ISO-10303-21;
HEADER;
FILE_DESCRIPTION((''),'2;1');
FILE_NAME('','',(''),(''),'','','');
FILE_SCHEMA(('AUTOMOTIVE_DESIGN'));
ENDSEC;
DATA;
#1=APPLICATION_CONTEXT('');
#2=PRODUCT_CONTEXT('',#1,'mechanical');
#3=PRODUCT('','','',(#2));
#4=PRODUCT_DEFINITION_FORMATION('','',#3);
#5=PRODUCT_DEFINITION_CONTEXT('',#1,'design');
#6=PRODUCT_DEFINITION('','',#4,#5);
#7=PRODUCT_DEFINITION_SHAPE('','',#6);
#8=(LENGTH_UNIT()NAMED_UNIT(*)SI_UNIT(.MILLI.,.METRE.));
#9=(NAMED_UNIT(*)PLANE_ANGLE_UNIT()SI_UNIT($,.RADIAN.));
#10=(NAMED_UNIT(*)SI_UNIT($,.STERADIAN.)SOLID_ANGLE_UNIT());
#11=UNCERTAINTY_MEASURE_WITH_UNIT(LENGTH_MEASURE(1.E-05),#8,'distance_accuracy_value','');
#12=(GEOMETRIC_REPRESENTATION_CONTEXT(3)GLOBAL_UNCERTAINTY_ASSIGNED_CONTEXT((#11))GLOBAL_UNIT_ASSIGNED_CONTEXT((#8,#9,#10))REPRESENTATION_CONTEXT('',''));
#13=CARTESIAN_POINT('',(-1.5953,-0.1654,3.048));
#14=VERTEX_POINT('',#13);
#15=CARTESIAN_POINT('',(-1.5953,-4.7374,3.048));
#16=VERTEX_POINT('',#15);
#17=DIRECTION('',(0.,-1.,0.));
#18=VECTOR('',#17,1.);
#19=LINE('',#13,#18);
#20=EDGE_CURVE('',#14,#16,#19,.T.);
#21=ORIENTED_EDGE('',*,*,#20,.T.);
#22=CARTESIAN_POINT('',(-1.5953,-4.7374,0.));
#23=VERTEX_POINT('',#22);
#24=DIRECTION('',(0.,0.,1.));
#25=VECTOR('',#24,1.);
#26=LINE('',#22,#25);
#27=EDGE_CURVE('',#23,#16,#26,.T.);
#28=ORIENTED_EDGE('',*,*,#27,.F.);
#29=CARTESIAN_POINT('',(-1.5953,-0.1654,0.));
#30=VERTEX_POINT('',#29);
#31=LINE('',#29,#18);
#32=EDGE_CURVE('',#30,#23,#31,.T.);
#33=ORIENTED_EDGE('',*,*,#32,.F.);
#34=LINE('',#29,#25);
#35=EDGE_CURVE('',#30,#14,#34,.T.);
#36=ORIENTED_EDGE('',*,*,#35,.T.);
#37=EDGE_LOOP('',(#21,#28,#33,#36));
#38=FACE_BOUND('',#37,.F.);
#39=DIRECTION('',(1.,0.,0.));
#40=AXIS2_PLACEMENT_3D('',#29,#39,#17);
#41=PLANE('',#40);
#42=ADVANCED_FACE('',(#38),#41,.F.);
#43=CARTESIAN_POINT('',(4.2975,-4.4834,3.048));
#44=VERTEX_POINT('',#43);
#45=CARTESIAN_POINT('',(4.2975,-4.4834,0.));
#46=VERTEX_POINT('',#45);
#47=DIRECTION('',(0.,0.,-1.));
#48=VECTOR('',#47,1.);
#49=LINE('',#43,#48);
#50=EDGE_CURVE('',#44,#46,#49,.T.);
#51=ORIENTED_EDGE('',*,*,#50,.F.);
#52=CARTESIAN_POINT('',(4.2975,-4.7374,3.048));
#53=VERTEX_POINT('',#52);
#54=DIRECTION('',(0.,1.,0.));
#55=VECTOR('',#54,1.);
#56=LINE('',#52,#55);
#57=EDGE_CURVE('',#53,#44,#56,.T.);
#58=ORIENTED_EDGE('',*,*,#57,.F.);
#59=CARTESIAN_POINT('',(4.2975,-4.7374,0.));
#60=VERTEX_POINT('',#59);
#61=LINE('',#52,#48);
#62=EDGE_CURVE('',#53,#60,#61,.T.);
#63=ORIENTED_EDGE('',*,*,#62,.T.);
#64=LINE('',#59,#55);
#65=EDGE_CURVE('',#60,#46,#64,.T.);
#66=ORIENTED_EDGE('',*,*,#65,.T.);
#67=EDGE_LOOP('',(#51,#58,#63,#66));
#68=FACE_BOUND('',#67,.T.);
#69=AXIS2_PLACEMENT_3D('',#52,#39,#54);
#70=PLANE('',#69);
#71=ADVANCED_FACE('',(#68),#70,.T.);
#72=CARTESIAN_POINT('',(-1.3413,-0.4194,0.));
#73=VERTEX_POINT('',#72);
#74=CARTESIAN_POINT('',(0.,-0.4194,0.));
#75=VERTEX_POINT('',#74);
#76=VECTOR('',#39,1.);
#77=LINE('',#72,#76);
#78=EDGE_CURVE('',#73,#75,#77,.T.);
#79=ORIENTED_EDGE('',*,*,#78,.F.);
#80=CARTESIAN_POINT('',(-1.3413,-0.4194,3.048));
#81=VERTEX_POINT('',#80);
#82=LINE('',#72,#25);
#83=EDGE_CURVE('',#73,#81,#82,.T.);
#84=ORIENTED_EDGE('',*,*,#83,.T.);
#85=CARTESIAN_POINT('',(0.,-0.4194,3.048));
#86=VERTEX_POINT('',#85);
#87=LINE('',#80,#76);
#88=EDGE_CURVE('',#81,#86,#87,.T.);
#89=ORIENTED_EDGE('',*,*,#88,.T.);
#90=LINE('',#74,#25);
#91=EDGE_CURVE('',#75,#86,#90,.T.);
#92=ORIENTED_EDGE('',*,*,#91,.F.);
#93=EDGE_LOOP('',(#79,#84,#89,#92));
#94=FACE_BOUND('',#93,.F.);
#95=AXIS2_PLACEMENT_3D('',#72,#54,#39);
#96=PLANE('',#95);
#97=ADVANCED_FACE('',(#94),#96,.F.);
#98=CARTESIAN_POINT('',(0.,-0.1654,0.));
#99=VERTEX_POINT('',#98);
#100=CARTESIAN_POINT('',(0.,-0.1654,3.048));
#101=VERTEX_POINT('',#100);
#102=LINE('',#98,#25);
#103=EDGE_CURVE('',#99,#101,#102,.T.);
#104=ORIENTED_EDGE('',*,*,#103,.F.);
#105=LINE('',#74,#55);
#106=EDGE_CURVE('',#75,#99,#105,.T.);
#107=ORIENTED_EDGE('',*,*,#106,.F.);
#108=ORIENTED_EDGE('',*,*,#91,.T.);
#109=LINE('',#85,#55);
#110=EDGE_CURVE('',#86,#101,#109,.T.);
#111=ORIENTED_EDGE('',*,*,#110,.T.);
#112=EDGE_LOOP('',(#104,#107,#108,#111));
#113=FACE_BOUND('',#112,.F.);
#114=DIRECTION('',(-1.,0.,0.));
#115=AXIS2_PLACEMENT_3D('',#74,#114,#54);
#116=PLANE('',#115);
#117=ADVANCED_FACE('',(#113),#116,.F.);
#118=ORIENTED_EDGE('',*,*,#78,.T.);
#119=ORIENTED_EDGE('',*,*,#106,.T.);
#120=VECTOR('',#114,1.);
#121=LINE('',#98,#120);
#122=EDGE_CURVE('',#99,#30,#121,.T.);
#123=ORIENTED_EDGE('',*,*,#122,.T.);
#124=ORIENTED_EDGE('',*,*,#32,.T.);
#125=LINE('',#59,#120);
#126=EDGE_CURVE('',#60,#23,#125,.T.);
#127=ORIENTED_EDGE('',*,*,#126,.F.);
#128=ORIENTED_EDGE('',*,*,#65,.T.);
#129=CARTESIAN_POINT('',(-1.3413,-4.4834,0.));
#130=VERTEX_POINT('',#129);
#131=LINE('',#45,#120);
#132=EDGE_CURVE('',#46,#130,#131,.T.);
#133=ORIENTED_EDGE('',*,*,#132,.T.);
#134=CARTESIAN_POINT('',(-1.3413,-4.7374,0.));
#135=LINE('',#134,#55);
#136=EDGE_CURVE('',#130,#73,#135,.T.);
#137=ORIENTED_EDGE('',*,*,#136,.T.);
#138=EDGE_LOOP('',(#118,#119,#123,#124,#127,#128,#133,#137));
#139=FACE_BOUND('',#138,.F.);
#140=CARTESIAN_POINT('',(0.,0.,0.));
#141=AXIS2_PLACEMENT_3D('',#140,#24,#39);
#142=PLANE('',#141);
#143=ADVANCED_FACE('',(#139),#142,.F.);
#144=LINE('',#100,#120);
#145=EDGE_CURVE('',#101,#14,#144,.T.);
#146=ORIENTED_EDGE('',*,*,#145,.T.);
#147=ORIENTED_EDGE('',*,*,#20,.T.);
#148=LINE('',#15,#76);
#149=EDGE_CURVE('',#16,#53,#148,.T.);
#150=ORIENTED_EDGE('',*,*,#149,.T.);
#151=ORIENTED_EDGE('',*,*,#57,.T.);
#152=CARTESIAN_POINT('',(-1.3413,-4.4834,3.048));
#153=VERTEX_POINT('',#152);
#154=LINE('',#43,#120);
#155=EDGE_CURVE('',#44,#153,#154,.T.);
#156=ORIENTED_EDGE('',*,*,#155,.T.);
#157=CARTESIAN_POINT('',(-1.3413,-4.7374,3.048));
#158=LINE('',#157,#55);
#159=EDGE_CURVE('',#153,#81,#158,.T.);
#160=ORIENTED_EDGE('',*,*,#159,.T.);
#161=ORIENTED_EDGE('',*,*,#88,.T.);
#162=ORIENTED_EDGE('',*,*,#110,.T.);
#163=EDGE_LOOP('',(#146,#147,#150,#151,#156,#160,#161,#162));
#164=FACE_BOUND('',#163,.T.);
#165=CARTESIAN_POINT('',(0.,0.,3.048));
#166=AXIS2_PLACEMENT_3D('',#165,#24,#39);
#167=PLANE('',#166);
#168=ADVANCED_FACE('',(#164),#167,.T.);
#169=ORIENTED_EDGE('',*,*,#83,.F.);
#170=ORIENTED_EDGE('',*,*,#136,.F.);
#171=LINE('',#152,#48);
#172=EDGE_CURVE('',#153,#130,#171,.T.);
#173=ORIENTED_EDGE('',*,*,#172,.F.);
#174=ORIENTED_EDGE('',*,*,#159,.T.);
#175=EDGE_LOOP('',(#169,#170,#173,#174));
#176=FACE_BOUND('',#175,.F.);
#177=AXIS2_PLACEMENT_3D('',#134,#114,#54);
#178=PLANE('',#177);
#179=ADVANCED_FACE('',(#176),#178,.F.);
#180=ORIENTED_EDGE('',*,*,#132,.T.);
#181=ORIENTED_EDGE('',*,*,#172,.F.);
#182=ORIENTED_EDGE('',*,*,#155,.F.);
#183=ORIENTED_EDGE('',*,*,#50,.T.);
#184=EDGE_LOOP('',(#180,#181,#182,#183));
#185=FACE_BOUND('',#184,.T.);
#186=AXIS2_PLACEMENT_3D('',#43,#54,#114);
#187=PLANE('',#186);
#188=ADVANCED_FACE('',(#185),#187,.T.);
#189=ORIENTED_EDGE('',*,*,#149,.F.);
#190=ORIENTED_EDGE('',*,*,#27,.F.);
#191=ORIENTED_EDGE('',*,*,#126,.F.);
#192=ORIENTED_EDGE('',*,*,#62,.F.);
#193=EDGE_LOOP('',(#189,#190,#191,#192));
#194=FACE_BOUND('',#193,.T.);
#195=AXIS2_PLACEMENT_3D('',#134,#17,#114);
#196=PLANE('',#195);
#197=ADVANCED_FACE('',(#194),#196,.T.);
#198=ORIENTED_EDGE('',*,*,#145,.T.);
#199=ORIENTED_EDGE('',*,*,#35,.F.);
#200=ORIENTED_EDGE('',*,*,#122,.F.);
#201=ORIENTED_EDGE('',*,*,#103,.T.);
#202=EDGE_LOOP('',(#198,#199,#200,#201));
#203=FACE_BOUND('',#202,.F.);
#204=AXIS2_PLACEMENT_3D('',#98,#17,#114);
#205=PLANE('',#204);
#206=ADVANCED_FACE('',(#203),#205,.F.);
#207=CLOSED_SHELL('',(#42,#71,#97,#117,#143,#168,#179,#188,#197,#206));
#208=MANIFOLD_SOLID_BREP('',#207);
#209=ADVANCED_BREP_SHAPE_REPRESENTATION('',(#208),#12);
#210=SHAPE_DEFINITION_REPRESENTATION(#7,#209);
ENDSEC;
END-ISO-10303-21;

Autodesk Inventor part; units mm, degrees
ref_plane "YZ Plane" through (0, 0, 0) normal (1, 0, 0) x (0, 1, 0)
ref_plane "XZ Plane" through (0, 0, 0) normal (0, 1, 0) x (-1, 0, 0)
ref_plane "XY Plane" through (0, 0, 0) normal (0, 0, 1) x (1, 0, 0)
sketch "Sketch1" plane through (0, 0, 0) normal (0, 0, 1) x (1, 0, 0)
  line L0 (-1.3413, -0.4194) -> (0, -0.4194)
  line L1 (-1.3413, -4.7374) -> (-1.3413, -0.4194)
  line L2 (0, -0.1654) -> (-1.5953, -0.1654)
  line L3 (-1.5953, -0.1654) -> (-1.5953, -4.7374)
  line L4 (-1.3413, -4.7374) -> (-1.5953, -4.7374)
  line L5 (0, -0.4194) -> (0, -0.1654)
  point P0 (0, 0)
  dimension "d1" = 0.254
  dimension "d8" = 4.572
extrude "Extrusion1" add sketch "Sketch1" along normal blind 3.048
sketch "Sketch2" plane through (0, 0, 3.048) normal (0, 0, 1) x (1, 0, 0)
  line L0 (-1.3413, -4.7374) -> (4.2975, -4.7374)
  line L1 (4.2975, -4.7374) -> (4.2975, -4.4834)
  line L2 (4.2975, -4.4834) -> (-1.3413, -4.4834)
  line L3 (-1.3413, -4.4834) -> (-1.3413, -4.7374)
  dimension "d4" = 5.6388
  dimension "d5" = 0.254
extrude "Extrusion2" add sketch "Sketch2" against normal up to surface (3.048 mm away)
